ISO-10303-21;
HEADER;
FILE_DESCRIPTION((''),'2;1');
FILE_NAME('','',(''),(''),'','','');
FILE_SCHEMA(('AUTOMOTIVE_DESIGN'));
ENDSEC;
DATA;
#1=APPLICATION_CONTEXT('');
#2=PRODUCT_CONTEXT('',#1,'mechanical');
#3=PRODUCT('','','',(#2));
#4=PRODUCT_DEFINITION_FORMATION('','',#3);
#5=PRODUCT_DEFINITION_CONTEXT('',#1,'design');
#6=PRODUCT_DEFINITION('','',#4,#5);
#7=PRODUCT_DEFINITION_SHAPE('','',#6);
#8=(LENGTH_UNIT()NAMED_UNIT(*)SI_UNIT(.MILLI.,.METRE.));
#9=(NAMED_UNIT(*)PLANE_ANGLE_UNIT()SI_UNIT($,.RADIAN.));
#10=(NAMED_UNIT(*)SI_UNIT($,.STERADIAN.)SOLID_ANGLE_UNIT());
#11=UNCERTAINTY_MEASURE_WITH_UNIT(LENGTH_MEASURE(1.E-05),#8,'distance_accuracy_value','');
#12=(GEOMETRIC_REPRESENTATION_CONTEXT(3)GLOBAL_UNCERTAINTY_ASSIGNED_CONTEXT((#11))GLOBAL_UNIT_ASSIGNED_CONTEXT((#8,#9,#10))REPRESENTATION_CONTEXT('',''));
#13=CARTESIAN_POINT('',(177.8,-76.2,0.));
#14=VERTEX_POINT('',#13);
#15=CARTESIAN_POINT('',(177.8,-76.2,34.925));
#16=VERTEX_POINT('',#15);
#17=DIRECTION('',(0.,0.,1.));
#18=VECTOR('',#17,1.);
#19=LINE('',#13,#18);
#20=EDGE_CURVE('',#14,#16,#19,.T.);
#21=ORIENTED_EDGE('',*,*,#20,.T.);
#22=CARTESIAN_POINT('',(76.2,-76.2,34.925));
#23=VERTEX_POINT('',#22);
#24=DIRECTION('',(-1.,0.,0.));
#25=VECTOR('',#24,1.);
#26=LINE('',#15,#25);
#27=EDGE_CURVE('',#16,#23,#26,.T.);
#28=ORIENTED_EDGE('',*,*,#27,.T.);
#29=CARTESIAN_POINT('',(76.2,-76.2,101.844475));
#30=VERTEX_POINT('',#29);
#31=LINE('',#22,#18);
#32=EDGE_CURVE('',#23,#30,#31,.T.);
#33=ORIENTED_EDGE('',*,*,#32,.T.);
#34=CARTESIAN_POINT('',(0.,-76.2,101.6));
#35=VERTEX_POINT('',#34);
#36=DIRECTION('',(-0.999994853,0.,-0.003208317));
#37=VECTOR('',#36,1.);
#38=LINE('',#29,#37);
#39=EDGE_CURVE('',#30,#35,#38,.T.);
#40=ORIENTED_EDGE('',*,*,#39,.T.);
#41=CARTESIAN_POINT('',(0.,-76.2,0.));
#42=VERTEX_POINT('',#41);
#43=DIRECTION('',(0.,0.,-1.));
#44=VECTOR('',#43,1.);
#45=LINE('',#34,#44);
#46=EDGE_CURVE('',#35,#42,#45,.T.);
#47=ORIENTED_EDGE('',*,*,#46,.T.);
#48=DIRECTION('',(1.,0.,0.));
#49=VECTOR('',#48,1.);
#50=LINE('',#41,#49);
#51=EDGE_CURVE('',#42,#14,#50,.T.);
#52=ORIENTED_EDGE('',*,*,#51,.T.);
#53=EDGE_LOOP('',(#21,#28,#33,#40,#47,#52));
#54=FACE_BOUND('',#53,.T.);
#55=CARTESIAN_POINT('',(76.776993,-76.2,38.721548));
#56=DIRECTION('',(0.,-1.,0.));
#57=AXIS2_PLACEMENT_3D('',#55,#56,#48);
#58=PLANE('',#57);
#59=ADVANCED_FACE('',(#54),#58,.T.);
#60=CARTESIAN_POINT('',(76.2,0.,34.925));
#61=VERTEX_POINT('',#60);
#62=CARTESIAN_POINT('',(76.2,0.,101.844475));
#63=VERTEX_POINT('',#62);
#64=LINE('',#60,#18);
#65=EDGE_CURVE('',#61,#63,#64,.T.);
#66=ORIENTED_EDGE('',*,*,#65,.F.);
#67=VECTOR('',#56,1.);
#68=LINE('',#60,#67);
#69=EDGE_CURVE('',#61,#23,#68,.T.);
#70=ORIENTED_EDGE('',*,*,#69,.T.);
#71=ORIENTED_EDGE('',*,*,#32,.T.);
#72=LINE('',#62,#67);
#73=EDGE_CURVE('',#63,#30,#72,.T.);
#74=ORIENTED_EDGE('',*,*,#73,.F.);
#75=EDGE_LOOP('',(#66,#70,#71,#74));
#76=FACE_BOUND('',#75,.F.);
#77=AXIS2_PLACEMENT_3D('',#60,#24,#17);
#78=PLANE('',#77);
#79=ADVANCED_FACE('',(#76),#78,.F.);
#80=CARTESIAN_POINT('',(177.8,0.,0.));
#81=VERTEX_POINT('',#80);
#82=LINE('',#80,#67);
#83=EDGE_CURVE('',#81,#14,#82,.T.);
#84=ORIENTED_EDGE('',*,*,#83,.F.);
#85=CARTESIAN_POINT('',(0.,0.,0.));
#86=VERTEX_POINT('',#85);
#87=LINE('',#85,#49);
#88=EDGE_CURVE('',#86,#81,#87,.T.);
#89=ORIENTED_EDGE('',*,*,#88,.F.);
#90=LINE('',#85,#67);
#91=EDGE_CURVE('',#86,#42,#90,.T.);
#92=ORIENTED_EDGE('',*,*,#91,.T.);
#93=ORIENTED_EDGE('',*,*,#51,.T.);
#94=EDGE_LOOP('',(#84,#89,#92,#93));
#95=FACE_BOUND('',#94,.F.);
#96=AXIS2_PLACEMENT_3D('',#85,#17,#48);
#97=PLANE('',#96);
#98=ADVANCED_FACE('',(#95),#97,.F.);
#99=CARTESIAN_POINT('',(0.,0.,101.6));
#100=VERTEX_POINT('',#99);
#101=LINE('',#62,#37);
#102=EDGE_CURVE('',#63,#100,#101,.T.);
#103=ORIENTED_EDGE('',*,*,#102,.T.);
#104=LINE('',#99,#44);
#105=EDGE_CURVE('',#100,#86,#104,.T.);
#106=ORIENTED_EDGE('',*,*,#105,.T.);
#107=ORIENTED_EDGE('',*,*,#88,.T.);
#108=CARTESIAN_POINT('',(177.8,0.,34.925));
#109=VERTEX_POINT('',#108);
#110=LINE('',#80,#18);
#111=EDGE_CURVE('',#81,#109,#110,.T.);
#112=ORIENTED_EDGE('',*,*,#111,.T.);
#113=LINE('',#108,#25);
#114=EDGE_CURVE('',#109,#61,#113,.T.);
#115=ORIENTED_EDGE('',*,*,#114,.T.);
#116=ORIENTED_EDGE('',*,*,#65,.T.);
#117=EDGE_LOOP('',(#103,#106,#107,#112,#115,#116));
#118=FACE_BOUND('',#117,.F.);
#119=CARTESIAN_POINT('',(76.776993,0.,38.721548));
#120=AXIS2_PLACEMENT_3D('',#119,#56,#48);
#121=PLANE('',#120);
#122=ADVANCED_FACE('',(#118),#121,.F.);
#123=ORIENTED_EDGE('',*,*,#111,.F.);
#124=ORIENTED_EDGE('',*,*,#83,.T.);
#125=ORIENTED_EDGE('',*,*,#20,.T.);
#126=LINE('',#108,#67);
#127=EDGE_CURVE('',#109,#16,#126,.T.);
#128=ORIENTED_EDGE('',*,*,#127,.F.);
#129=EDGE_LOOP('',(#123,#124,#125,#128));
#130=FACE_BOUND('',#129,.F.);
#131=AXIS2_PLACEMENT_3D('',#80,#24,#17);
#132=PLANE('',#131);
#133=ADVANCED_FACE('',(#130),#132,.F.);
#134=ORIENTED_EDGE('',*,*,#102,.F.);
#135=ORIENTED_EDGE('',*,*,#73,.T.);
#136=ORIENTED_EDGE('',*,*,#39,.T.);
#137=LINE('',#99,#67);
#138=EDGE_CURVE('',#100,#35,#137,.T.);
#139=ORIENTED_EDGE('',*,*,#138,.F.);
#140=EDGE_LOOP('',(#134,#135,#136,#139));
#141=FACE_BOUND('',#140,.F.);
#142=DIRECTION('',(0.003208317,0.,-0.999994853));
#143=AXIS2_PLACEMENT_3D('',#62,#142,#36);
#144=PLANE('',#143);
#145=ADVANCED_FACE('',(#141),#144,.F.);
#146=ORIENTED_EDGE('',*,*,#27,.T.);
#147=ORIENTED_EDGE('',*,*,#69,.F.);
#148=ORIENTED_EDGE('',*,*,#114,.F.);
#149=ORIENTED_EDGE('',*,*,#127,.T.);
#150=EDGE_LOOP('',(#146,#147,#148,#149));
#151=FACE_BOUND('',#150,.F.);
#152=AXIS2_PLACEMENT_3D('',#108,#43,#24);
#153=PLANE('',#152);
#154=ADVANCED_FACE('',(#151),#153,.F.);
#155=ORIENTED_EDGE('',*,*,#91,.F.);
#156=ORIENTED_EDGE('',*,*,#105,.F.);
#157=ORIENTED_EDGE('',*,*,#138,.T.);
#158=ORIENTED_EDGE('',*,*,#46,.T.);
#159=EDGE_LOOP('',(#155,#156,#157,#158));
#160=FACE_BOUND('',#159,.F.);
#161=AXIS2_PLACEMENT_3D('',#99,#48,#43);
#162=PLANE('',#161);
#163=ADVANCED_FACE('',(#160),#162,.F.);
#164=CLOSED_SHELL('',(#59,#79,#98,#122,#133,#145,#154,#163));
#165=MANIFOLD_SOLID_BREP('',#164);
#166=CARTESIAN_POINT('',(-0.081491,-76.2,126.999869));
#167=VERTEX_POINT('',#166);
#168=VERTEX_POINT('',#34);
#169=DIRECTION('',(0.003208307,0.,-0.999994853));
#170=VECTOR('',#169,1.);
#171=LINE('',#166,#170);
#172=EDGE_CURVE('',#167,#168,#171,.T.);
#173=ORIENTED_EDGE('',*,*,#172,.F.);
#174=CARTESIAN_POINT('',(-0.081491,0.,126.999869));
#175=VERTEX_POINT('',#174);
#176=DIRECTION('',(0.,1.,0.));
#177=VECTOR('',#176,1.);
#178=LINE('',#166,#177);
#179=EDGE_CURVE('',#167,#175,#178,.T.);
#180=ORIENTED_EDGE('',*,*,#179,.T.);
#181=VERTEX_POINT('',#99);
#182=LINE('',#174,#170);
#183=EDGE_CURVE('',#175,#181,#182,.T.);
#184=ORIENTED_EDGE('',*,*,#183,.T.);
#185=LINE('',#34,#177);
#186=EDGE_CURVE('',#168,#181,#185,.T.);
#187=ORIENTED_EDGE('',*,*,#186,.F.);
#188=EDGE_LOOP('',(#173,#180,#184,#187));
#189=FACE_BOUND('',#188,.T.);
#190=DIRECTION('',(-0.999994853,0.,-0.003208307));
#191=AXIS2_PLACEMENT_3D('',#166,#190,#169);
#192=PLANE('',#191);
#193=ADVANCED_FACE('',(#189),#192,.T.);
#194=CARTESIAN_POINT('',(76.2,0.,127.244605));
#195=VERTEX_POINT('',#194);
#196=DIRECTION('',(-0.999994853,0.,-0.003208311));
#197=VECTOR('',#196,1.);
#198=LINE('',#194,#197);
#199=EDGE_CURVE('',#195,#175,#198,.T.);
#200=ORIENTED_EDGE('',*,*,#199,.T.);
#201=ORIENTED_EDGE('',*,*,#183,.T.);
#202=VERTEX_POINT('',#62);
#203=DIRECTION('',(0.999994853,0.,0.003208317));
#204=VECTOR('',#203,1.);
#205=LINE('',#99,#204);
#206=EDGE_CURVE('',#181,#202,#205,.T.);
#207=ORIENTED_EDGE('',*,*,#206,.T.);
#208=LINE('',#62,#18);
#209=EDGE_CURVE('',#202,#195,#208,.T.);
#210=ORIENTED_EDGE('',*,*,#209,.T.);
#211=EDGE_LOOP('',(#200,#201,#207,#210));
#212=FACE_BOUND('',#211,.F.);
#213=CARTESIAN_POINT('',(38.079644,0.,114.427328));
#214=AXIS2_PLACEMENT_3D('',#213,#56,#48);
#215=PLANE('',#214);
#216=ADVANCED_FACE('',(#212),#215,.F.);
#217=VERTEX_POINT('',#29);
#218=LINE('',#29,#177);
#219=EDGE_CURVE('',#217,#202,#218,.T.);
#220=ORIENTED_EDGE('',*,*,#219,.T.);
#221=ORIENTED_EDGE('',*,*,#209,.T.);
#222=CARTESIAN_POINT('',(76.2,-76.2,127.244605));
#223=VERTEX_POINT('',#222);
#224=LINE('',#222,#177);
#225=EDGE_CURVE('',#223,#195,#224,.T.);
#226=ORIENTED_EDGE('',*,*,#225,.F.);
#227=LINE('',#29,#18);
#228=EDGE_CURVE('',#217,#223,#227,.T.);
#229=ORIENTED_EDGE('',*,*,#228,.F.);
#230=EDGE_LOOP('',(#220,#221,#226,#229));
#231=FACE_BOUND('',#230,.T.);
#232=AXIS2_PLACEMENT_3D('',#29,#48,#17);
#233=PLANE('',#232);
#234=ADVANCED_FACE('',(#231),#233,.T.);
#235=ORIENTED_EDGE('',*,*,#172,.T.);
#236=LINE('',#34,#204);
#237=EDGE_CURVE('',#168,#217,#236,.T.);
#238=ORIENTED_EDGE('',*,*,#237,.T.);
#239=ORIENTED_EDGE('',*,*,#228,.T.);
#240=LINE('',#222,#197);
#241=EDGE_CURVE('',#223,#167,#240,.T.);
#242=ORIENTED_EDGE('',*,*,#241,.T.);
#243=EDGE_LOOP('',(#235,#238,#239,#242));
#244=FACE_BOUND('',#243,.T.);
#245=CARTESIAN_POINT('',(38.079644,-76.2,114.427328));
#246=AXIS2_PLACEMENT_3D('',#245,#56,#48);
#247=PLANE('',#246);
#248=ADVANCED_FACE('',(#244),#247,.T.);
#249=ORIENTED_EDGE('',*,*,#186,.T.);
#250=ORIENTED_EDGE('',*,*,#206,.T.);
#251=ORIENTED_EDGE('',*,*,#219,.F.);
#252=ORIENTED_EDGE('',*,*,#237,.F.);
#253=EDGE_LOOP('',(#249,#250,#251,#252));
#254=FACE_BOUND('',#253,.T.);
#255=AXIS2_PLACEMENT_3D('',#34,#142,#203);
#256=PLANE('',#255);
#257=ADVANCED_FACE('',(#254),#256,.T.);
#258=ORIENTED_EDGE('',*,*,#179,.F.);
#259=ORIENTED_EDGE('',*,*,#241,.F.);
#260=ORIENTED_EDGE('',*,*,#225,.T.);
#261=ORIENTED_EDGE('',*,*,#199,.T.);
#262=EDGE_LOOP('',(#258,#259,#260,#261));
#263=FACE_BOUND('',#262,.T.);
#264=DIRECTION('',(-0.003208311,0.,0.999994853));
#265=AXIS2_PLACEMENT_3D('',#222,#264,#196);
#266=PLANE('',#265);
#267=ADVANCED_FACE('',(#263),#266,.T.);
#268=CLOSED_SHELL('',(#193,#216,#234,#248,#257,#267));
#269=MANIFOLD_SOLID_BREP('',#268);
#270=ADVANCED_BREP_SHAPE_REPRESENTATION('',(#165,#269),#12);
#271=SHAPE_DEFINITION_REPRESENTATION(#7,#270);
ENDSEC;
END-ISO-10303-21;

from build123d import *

# Parameters (mm, degrees)
F1_DEPTH = 76.2
F3_DEPTH = 76.2


with BuildPart() as f1:
    # F0 (on Front) → F1 (new body)
    with BuildSketch(Plane.XZ):
        Polygon((0, 101.6), (0, 0), (177.8, 0), (177.8, 34.925), (76.2, 34.925), (76.2, 101.844475), align=None)
    extrude(amount=F1_DEPTH)


with BuildPart() as f3:
    # F2 (on face) → F3 (new body)
    with BuildSketch(Plane.XZ.offset(76.2)):
        Polygon((-0.081491, 126.999869), (0, 101.6), (76.2, 101.844475), (76.2, 127.244605), align=None)
    extrude(amount=-F3_DEPTH)


solid = Compound([f1.part, f3.part])
